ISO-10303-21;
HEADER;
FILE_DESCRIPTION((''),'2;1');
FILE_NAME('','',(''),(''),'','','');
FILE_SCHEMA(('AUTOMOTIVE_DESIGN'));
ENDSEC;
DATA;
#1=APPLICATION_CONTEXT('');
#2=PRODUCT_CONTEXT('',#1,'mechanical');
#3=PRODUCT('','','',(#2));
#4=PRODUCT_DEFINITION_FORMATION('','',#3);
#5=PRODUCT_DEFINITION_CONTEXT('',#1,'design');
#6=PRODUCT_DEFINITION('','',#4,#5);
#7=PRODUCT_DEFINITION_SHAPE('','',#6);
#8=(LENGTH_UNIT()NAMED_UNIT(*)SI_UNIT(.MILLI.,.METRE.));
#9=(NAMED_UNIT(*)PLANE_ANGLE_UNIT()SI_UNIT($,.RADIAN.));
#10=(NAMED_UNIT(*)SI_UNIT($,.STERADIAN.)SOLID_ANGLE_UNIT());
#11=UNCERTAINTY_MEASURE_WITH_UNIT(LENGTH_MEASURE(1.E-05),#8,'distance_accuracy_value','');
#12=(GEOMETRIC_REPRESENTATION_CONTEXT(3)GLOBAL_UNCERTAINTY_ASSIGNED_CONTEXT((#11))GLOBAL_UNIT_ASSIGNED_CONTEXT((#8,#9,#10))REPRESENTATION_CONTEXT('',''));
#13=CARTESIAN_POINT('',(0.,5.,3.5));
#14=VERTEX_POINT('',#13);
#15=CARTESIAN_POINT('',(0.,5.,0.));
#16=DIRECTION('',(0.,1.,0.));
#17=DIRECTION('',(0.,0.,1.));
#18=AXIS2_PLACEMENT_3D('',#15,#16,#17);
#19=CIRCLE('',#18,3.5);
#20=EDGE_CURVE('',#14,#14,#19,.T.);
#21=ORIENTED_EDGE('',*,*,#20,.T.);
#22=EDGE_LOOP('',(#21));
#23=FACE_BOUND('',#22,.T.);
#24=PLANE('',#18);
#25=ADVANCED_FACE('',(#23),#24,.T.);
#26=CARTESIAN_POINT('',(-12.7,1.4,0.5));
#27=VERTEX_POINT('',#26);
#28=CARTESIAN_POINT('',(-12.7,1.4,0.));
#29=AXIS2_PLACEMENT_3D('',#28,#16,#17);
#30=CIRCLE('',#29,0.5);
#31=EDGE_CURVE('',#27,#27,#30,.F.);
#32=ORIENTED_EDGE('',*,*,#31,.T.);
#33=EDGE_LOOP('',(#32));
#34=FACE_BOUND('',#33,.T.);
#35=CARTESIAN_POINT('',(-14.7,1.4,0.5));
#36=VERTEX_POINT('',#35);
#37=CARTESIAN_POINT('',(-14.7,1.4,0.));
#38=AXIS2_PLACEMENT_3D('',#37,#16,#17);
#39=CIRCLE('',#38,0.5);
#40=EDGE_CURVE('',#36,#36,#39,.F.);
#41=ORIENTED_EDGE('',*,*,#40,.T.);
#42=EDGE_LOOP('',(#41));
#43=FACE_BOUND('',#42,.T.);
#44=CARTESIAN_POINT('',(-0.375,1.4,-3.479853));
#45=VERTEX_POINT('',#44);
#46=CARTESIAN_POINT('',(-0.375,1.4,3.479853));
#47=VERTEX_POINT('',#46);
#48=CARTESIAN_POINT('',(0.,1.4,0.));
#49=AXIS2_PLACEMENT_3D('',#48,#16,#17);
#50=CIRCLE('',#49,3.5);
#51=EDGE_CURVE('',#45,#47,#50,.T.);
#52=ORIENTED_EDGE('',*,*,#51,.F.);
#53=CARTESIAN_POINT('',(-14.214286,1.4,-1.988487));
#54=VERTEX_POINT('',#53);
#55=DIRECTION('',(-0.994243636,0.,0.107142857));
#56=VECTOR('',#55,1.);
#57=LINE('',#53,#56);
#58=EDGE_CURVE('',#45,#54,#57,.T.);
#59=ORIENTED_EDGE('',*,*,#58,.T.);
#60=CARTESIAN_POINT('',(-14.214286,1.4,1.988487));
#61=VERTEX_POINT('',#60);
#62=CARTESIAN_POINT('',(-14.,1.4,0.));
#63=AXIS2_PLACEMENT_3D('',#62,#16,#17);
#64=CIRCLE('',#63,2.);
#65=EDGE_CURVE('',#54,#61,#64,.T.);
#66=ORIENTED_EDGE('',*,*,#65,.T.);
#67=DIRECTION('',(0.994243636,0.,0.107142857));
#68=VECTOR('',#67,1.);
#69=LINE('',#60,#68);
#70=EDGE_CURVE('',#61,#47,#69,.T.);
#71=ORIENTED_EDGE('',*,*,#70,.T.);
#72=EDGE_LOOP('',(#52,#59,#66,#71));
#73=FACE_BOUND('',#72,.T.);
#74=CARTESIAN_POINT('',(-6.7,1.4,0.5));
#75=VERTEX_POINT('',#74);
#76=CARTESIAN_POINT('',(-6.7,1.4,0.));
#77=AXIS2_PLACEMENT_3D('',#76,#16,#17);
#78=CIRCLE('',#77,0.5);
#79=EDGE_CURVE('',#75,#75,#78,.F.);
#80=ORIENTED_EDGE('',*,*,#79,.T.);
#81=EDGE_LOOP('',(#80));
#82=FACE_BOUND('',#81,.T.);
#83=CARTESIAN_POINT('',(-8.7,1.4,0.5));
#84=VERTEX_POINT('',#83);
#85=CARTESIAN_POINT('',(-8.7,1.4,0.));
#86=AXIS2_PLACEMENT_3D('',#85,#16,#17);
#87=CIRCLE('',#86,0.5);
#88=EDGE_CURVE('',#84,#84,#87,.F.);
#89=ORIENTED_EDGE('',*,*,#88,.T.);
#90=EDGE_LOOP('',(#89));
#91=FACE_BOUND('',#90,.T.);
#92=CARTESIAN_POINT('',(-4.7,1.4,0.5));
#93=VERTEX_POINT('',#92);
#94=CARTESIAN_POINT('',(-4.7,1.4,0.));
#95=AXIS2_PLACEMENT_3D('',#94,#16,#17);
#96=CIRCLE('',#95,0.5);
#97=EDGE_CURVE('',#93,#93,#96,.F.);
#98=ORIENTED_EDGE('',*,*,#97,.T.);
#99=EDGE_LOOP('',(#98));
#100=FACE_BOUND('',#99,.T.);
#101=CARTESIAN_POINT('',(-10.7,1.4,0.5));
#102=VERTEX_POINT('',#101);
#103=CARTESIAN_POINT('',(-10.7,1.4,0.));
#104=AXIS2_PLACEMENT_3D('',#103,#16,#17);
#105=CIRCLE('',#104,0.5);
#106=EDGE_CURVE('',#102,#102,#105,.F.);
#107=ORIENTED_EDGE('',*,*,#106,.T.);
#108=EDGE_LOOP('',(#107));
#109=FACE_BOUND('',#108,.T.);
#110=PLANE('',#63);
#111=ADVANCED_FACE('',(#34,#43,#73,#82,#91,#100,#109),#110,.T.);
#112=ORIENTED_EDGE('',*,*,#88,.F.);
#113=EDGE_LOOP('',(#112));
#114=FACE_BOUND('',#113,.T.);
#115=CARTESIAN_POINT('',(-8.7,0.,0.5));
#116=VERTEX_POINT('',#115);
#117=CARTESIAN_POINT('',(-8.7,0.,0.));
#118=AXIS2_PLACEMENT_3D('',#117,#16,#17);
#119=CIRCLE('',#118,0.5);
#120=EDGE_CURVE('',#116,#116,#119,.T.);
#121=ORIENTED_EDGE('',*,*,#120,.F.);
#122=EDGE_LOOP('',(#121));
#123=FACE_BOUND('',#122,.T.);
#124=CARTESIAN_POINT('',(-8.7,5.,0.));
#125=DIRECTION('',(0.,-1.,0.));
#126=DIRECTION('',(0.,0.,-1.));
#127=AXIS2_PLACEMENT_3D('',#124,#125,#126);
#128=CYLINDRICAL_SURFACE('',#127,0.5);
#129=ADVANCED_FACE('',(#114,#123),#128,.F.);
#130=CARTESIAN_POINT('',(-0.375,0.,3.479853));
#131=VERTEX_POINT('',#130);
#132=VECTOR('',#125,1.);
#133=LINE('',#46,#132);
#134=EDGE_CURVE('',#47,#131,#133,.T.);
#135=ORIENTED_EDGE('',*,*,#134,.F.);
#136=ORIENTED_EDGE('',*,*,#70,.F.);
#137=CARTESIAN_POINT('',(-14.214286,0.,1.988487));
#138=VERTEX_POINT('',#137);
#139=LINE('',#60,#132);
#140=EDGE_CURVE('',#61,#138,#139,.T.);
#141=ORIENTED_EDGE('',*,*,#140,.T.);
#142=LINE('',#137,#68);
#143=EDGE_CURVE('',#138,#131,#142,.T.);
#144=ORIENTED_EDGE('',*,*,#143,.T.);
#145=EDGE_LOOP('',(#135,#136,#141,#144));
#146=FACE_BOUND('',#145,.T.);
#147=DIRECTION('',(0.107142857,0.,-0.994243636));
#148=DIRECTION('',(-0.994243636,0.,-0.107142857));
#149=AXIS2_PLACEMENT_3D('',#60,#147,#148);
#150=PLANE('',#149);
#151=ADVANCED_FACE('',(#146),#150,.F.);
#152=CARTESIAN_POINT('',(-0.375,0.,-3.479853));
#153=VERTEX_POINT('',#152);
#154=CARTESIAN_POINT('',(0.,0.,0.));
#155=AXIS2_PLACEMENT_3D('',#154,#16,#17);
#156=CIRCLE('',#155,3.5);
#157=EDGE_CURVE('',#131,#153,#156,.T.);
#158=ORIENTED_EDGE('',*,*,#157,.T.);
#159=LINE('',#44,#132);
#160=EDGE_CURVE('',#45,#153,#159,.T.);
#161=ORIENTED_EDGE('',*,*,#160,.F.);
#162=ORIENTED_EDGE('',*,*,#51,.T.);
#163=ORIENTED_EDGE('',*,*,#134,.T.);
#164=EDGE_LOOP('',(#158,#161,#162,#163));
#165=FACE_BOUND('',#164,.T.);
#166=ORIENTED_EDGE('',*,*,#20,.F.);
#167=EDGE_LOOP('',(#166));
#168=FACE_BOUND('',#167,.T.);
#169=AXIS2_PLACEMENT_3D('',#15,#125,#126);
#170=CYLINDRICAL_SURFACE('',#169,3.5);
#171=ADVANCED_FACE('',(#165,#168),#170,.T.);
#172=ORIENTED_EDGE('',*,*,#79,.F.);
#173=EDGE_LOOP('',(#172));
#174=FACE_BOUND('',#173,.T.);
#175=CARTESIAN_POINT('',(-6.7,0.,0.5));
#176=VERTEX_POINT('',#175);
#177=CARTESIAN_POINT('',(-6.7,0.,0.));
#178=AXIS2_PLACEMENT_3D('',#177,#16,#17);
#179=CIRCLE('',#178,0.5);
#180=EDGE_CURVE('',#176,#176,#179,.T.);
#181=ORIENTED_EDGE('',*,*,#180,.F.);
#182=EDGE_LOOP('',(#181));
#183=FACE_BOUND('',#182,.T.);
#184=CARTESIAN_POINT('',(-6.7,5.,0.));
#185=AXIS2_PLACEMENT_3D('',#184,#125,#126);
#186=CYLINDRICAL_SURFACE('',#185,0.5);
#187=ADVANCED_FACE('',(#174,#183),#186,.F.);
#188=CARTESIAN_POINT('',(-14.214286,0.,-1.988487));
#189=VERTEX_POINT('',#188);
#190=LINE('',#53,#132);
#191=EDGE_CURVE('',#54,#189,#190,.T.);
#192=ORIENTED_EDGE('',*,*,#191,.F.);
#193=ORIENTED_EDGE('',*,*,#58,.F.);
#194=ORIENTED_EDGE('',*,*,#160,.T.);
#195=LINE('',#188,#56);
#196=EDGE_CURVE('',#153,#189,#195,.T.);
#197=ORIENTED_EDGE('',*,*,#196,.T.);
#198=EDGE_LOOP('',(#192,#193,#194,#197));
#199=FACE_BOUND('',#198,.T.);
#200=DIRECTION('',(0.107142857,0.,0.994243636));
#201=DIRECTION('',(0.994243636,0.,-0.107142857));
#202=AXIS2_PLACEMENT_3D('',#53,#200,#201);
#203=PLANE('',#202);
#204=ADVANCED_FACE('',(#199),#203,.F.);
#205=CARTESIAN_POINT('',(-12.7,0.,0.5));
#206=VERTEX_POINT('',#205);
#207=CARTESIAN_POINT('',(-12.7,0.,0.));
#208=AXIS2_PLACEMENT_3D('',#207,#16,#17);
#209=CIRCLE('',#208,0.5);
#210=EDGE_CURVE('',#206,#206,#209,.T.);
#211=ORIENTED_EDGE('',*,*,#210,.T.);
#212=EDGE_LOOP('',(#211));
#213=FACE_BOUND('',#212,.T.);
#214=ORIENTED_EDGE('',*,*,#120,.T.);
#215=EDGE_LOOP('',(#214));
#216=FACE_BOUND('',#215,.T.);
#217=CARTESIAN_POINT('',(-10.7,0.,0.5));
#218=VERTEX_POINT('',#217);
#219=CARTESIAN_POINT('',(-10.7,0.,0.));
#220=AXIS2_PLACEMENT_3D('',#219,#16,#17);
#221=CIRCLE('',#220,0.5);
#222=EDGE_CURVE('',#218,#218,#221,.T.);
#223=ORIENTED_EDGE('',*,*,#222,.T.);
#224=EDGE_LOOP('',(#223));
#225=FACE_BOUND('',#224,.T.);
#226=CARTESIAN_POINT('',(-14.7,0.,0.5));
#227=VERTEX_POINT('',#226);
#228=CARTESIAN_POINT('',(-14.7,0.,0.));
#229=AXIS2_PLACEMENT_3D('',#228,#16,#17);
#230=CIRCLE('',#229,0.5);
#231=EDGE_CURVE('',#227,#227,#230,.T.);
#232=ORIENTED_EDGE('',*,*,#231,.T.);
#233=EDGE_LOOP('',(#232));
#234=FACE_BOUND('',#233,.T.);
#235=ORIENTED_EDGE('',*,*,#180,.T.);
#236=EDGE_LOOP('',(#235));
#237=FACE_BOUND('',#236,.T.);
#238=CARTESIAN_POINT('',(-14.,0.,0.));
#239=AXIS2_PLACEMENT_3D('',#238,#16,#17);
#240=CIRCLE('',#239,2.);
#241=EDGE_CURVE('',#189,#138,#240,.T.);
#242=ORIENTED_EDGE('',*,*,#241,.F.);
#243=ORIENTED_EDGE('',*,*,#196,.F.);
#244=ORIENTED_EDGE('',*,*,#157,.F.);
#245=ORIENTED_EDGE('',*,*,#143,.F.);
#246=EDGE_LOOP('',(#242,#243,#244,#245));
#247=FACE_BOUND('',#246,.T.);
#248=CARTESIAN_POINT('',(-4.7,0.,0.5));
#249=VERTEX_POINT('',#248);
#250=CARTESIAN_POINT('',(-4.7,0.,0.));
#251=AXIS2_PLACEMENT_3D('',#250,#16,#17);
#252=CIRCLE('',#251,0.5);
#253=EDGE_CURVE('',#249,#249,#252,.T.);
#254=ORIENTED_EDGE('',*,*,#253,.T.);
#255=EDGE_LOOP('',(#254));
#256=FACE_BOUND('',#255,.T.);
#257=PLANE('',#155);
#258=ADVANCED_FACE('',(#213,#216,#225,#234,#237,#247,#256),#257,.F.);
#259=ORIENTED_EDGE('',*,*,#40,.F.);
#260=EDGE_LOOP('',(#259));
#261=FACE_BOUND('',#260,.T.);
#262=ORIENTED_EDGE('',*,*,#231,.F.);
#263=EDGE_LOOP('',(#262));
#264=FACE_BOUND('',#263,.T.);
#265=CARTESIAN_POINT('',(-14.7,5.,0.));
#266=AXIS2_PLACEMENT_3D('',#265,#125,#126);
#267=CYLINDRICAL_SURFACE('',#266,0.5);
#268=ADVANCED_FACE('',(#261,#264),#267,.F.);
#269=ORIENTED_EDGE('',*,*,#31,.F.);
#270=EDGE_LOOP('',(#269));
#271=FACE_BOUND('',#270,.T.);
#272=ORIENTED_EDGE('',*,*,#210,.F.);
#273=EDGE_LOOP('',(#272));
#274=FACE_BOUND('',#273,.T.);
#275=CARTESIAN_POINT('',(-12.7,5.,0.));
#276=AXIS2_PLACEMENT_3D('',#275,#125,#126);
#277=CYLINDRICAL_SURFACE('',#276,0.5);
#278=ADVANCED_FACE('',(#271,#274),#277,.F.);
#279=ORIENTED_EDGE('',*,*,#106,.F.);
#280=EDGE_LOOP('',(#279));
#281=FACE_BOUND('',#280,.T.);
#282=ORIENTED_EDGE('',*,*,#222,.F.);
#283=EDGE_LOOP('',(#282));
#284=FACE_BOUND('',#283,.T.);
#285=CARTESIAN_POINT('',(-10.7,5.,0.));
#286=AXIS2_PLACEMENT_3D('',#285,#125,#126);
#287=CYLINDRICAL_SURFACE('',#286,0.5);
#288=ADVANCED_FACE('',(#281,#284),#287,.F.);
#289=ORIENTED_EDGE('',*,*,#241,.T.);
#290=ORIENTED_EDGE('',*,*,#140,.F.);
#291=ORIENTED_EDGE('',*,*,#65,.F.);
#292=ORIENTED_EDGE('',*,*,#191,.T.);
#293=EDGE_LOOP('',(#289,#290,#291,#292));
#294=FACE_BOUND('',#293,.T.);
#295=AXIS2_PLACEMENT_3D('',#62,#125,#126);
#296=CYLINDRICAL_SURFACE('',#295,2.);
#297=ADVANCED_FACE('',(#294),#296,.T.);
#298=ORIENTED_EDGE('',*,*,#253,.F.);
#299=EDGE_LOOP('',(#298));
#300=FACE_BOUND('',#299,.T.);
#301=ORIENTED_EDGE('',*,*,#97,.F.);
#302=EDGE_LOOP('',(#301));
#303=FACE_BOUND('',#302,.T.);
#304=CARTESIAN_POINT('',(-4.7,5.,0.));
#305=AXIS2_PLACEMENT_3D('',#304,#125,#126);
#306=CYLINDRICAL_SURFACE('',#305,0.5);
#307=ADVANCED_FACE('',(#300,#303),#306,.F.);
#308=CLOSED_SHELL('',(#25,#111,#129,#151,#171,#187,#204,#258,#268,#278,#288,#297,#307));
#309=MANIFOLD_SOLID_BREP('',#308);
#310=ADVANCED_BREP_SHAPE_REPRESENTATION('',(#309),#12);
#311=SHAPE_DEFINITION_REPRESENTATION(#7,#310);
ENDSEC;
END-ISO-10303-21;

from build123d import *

# Parameters (mm, degrees)
ESBO_O1_R                = 3.5
RESSALTO_EXTRUS_O1_DEPTH = 5
RESSALTO_EXTRUS_O2_DEPTH = 1.4
ESBO_O3_R                = 0.5
CORTE_EXTRUS_O1_DEPTH    = 18.12454379
PADR_O_LINEAR1_COUNT     = 6
PADR_O_LINEAR1_PITCH     = 2


with BuildPart() as part:
    # Esboço1 → Ressalto-extrusão1 (new body)
    with BuildSketch(Plane(origin=(0, 0, 0), x_dir=(1, 0, 0), z_dir=(0, 1, 0))):
        Circle(ESBO_O1_R)
    extrude(amount=RESSALTO_EXTRUS_O1_DEPTH)

    # Esboço2 → Ressalto-extrusão2 (add)
    with BuildSketch(Plane(origin=(0, 0, 0), x_dir=(1, 0, 0), z_dir=(0, 1, 0))):
        with BuildLine():
            Line((-14.214285714, 1.988487272), (-0.375, 3.479852727))
            Line((-0.375, 3.479852727), (-0.375, -3.479852727))
            Line((-0.375, -3.479852727), (-14.214285714, -1.988487272))
            ThreePointArc((-14.214285714, -1.988487272), (-16, 0), (-14.214285714, 1.988487272))
        make_face()
    extrude(amount=RESSALTO_EXTRUS_O2_DEPTH)

    # Esboço3 → Corte-extrusão1 (cut, through all)
    with BuildSketch(Plane(origin=(0, 0, 0), x_dir=(1, 0, 0), z_dir=(0, 1, 0))):
        with Locations((-14.7, 0)):
            Circle(ESBO_O3_R)
    corte_extrus_o1 = extrude(amount=CORTE_EXTRUS_O1_DEPTH, mode=Mode.SUBTRACT)

    # Padrão linear1: Corte-extrusão1 ×6
    with Locations(*[(i * PADR_O_LINEAR1_PITCH, 0, 0) for i in range(1, PADR_O_LINEAR1_COUNT)]):
        add(corte_extrus_o1, mode=Mode.SUBTRACT)


solid = part.part
